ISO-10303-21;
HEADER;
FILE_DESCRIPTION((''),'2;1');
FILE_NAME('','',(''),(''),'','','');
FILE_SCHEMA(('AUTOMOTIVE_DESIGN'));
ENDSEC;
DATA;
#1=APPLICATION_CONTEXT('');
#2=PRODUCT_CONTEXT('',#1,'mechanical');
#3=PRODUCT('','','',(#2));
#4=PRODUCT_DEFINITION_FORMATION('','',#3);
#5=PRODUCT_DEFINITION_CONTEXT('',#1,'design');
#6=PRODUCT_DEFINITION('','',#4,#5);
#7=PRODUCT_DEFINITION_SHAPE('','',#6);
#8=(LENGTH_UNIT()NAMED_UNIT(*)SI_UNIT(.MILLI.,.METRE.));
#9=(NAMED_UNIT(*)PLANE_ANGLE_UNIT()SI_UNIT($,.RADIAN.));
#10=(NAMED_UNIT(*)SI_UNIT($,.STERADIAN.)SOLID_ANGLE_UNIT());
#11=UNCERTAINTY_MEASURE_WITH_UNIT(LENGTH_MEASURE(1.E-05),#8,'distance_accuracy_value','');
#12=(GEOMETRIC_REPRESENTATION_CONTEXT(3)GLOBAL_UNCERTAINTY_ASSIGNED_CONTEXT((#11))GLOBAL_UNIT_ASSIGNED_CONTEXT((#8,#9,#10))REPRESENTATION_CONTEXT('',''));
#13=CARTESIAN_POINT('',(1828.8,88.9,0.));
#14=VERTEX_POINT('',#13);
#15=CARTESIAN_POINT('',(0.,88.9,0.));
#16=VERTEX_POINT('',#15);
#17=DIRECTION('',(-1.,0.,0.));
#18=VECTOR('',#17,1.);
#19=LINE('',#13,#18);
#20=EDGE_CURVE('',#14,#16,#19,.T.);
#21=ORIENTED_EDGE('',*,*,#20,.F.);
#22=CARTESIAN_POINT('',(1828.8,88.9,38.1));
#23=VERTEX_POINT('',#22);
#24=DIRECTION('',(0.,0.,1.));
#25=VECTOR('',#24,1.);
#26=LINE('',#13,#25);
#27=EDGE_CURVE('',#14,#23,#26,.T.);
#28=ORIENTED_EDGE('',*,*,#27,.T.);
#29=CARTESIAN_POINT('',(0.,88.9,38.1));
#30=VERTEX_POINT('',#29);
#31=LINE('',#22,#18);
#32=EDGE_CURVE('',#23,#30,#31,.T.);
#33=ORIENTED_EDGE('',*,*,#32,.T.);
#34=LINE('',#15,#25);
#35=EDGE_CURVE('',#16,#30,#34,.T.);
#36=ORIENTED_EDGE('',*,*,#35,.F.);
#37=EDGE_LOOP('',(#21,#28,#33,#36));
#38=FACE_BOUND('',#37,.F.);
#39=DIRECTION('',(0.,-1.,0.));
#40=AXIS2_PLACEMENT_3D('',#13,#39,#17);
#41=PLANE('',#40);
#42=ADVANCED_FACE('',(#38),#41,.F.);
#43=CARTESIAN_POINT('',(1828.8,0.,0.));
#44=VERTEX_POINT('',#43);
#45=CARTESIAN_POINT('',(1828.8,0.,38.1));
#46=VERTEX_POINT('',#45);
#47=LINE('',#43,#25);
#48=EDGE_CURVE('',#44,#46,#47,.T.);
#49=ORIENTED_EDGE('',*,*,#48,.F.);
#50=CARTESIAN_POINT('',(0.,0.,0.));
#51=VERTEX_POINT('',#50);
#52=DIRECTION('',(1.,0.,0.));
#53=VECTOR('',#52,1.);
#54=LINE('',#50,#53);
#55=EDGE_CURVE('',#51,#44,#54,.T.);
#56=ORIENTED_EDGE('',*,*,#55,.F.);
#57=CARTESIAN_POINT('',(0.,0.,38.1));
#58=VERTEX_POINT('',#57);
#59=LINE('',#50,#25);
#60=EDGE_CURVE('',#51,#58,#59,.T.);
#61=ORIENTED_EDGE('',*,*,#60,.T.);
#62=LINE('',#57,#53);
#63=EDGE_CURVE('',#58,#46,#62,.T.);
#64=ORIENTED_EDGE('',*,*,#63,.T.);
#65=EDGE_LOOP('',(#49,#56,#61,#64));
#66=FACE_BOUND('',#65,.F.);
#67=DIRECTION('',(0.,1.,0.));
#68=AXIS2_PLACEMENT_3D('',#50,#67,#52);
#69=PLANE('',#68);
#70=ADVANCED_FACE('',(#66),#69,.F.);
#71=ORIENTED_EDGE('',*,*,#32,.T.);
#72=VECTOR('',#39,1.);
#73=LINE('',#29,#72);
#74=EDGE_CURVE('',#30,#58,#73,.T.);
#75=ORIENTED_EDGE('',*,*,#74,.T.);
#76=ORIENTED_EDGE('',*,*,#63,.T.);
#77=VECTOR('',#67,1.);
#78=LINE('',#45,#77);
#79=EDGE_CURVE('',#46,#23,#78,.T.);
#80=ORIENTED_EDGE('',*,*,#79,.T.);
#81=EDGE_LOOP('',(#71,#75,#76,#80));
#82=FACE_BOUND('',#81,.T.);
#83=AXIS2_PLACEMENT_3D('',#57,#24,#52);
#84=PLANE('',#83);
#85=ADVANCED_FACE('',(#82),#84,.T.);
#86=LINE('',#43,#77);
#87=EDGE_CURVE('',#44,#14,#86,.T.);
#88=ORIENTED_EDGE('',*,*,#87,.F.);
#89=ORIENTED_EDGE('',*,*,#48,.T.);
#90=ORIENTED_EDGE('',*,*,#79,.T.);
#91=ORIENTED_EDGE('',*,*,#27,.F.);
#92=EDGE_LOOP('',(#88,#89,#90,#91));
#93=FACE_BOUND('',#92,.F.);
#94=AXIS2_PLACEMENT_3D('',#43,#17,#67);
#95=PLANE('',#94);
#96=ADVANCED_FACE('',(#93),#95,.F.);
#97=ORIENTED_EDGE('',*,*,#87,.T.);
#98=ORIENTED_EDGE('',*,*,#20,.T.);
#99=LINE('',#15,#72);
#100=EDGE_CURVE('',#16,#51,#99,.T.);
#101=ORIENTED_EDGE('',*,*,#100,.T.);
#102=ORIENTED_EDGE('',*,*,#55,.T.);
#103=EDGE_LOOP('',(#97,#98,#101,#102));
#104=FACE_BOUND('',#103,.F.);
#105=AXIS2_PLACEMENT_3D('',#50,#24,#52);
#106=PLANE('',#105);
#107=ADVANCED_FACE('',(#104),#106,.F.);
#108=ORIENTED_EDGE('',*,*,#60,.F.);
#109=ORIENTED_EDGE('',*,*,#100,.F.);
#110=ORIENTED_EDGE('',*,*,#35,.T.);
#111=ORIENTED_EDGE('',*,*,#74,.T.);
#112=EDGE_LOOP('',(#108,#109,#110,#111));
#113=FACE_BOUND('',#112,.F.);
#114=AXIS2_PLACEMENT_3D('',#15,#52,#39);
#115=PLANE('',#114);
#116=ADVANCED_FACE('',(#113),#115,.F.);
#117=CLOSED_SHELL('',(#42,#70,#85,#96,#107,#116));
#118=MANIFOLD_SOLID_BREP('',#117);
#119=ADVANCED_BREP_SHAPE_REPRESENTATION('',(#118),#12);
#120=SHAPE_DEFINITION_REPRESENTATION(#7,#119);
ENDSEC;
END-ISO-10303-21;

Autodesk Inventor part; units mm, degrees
ref_plane "YZ Plane" through (0, 0, 0) normal (1, 0, 0) x (0, 1, 0)
ref_plane "XZ Plane" through (0, 0, 0) normal (0, 1, 0) x (-1, 0, 0)
ref_plane "XY Plane" through (0, 0, 0) normal (0, 0, 1) x (1, 0, 0)
sketch "Sketch1" plane through (0, 0, 0) normal (0, 0, 1) x (1, 0, 0)
  line L0 (0, 0) -> (1828.8, 0)
  line L1 (1828.8, 0) -> (1828.8, 88.9)
  line L2 (1828.8, 88.9) -> (0, 88.9)
  line L3 (0, 88.9) -> (0, 0)
  dimension "d0" = 1828.8
  dimension "d1" = 88.9
extrude "Extrusion1" add sketch "Sketch1" along normal blind 38.1
properties part number "base long wall h bar"
